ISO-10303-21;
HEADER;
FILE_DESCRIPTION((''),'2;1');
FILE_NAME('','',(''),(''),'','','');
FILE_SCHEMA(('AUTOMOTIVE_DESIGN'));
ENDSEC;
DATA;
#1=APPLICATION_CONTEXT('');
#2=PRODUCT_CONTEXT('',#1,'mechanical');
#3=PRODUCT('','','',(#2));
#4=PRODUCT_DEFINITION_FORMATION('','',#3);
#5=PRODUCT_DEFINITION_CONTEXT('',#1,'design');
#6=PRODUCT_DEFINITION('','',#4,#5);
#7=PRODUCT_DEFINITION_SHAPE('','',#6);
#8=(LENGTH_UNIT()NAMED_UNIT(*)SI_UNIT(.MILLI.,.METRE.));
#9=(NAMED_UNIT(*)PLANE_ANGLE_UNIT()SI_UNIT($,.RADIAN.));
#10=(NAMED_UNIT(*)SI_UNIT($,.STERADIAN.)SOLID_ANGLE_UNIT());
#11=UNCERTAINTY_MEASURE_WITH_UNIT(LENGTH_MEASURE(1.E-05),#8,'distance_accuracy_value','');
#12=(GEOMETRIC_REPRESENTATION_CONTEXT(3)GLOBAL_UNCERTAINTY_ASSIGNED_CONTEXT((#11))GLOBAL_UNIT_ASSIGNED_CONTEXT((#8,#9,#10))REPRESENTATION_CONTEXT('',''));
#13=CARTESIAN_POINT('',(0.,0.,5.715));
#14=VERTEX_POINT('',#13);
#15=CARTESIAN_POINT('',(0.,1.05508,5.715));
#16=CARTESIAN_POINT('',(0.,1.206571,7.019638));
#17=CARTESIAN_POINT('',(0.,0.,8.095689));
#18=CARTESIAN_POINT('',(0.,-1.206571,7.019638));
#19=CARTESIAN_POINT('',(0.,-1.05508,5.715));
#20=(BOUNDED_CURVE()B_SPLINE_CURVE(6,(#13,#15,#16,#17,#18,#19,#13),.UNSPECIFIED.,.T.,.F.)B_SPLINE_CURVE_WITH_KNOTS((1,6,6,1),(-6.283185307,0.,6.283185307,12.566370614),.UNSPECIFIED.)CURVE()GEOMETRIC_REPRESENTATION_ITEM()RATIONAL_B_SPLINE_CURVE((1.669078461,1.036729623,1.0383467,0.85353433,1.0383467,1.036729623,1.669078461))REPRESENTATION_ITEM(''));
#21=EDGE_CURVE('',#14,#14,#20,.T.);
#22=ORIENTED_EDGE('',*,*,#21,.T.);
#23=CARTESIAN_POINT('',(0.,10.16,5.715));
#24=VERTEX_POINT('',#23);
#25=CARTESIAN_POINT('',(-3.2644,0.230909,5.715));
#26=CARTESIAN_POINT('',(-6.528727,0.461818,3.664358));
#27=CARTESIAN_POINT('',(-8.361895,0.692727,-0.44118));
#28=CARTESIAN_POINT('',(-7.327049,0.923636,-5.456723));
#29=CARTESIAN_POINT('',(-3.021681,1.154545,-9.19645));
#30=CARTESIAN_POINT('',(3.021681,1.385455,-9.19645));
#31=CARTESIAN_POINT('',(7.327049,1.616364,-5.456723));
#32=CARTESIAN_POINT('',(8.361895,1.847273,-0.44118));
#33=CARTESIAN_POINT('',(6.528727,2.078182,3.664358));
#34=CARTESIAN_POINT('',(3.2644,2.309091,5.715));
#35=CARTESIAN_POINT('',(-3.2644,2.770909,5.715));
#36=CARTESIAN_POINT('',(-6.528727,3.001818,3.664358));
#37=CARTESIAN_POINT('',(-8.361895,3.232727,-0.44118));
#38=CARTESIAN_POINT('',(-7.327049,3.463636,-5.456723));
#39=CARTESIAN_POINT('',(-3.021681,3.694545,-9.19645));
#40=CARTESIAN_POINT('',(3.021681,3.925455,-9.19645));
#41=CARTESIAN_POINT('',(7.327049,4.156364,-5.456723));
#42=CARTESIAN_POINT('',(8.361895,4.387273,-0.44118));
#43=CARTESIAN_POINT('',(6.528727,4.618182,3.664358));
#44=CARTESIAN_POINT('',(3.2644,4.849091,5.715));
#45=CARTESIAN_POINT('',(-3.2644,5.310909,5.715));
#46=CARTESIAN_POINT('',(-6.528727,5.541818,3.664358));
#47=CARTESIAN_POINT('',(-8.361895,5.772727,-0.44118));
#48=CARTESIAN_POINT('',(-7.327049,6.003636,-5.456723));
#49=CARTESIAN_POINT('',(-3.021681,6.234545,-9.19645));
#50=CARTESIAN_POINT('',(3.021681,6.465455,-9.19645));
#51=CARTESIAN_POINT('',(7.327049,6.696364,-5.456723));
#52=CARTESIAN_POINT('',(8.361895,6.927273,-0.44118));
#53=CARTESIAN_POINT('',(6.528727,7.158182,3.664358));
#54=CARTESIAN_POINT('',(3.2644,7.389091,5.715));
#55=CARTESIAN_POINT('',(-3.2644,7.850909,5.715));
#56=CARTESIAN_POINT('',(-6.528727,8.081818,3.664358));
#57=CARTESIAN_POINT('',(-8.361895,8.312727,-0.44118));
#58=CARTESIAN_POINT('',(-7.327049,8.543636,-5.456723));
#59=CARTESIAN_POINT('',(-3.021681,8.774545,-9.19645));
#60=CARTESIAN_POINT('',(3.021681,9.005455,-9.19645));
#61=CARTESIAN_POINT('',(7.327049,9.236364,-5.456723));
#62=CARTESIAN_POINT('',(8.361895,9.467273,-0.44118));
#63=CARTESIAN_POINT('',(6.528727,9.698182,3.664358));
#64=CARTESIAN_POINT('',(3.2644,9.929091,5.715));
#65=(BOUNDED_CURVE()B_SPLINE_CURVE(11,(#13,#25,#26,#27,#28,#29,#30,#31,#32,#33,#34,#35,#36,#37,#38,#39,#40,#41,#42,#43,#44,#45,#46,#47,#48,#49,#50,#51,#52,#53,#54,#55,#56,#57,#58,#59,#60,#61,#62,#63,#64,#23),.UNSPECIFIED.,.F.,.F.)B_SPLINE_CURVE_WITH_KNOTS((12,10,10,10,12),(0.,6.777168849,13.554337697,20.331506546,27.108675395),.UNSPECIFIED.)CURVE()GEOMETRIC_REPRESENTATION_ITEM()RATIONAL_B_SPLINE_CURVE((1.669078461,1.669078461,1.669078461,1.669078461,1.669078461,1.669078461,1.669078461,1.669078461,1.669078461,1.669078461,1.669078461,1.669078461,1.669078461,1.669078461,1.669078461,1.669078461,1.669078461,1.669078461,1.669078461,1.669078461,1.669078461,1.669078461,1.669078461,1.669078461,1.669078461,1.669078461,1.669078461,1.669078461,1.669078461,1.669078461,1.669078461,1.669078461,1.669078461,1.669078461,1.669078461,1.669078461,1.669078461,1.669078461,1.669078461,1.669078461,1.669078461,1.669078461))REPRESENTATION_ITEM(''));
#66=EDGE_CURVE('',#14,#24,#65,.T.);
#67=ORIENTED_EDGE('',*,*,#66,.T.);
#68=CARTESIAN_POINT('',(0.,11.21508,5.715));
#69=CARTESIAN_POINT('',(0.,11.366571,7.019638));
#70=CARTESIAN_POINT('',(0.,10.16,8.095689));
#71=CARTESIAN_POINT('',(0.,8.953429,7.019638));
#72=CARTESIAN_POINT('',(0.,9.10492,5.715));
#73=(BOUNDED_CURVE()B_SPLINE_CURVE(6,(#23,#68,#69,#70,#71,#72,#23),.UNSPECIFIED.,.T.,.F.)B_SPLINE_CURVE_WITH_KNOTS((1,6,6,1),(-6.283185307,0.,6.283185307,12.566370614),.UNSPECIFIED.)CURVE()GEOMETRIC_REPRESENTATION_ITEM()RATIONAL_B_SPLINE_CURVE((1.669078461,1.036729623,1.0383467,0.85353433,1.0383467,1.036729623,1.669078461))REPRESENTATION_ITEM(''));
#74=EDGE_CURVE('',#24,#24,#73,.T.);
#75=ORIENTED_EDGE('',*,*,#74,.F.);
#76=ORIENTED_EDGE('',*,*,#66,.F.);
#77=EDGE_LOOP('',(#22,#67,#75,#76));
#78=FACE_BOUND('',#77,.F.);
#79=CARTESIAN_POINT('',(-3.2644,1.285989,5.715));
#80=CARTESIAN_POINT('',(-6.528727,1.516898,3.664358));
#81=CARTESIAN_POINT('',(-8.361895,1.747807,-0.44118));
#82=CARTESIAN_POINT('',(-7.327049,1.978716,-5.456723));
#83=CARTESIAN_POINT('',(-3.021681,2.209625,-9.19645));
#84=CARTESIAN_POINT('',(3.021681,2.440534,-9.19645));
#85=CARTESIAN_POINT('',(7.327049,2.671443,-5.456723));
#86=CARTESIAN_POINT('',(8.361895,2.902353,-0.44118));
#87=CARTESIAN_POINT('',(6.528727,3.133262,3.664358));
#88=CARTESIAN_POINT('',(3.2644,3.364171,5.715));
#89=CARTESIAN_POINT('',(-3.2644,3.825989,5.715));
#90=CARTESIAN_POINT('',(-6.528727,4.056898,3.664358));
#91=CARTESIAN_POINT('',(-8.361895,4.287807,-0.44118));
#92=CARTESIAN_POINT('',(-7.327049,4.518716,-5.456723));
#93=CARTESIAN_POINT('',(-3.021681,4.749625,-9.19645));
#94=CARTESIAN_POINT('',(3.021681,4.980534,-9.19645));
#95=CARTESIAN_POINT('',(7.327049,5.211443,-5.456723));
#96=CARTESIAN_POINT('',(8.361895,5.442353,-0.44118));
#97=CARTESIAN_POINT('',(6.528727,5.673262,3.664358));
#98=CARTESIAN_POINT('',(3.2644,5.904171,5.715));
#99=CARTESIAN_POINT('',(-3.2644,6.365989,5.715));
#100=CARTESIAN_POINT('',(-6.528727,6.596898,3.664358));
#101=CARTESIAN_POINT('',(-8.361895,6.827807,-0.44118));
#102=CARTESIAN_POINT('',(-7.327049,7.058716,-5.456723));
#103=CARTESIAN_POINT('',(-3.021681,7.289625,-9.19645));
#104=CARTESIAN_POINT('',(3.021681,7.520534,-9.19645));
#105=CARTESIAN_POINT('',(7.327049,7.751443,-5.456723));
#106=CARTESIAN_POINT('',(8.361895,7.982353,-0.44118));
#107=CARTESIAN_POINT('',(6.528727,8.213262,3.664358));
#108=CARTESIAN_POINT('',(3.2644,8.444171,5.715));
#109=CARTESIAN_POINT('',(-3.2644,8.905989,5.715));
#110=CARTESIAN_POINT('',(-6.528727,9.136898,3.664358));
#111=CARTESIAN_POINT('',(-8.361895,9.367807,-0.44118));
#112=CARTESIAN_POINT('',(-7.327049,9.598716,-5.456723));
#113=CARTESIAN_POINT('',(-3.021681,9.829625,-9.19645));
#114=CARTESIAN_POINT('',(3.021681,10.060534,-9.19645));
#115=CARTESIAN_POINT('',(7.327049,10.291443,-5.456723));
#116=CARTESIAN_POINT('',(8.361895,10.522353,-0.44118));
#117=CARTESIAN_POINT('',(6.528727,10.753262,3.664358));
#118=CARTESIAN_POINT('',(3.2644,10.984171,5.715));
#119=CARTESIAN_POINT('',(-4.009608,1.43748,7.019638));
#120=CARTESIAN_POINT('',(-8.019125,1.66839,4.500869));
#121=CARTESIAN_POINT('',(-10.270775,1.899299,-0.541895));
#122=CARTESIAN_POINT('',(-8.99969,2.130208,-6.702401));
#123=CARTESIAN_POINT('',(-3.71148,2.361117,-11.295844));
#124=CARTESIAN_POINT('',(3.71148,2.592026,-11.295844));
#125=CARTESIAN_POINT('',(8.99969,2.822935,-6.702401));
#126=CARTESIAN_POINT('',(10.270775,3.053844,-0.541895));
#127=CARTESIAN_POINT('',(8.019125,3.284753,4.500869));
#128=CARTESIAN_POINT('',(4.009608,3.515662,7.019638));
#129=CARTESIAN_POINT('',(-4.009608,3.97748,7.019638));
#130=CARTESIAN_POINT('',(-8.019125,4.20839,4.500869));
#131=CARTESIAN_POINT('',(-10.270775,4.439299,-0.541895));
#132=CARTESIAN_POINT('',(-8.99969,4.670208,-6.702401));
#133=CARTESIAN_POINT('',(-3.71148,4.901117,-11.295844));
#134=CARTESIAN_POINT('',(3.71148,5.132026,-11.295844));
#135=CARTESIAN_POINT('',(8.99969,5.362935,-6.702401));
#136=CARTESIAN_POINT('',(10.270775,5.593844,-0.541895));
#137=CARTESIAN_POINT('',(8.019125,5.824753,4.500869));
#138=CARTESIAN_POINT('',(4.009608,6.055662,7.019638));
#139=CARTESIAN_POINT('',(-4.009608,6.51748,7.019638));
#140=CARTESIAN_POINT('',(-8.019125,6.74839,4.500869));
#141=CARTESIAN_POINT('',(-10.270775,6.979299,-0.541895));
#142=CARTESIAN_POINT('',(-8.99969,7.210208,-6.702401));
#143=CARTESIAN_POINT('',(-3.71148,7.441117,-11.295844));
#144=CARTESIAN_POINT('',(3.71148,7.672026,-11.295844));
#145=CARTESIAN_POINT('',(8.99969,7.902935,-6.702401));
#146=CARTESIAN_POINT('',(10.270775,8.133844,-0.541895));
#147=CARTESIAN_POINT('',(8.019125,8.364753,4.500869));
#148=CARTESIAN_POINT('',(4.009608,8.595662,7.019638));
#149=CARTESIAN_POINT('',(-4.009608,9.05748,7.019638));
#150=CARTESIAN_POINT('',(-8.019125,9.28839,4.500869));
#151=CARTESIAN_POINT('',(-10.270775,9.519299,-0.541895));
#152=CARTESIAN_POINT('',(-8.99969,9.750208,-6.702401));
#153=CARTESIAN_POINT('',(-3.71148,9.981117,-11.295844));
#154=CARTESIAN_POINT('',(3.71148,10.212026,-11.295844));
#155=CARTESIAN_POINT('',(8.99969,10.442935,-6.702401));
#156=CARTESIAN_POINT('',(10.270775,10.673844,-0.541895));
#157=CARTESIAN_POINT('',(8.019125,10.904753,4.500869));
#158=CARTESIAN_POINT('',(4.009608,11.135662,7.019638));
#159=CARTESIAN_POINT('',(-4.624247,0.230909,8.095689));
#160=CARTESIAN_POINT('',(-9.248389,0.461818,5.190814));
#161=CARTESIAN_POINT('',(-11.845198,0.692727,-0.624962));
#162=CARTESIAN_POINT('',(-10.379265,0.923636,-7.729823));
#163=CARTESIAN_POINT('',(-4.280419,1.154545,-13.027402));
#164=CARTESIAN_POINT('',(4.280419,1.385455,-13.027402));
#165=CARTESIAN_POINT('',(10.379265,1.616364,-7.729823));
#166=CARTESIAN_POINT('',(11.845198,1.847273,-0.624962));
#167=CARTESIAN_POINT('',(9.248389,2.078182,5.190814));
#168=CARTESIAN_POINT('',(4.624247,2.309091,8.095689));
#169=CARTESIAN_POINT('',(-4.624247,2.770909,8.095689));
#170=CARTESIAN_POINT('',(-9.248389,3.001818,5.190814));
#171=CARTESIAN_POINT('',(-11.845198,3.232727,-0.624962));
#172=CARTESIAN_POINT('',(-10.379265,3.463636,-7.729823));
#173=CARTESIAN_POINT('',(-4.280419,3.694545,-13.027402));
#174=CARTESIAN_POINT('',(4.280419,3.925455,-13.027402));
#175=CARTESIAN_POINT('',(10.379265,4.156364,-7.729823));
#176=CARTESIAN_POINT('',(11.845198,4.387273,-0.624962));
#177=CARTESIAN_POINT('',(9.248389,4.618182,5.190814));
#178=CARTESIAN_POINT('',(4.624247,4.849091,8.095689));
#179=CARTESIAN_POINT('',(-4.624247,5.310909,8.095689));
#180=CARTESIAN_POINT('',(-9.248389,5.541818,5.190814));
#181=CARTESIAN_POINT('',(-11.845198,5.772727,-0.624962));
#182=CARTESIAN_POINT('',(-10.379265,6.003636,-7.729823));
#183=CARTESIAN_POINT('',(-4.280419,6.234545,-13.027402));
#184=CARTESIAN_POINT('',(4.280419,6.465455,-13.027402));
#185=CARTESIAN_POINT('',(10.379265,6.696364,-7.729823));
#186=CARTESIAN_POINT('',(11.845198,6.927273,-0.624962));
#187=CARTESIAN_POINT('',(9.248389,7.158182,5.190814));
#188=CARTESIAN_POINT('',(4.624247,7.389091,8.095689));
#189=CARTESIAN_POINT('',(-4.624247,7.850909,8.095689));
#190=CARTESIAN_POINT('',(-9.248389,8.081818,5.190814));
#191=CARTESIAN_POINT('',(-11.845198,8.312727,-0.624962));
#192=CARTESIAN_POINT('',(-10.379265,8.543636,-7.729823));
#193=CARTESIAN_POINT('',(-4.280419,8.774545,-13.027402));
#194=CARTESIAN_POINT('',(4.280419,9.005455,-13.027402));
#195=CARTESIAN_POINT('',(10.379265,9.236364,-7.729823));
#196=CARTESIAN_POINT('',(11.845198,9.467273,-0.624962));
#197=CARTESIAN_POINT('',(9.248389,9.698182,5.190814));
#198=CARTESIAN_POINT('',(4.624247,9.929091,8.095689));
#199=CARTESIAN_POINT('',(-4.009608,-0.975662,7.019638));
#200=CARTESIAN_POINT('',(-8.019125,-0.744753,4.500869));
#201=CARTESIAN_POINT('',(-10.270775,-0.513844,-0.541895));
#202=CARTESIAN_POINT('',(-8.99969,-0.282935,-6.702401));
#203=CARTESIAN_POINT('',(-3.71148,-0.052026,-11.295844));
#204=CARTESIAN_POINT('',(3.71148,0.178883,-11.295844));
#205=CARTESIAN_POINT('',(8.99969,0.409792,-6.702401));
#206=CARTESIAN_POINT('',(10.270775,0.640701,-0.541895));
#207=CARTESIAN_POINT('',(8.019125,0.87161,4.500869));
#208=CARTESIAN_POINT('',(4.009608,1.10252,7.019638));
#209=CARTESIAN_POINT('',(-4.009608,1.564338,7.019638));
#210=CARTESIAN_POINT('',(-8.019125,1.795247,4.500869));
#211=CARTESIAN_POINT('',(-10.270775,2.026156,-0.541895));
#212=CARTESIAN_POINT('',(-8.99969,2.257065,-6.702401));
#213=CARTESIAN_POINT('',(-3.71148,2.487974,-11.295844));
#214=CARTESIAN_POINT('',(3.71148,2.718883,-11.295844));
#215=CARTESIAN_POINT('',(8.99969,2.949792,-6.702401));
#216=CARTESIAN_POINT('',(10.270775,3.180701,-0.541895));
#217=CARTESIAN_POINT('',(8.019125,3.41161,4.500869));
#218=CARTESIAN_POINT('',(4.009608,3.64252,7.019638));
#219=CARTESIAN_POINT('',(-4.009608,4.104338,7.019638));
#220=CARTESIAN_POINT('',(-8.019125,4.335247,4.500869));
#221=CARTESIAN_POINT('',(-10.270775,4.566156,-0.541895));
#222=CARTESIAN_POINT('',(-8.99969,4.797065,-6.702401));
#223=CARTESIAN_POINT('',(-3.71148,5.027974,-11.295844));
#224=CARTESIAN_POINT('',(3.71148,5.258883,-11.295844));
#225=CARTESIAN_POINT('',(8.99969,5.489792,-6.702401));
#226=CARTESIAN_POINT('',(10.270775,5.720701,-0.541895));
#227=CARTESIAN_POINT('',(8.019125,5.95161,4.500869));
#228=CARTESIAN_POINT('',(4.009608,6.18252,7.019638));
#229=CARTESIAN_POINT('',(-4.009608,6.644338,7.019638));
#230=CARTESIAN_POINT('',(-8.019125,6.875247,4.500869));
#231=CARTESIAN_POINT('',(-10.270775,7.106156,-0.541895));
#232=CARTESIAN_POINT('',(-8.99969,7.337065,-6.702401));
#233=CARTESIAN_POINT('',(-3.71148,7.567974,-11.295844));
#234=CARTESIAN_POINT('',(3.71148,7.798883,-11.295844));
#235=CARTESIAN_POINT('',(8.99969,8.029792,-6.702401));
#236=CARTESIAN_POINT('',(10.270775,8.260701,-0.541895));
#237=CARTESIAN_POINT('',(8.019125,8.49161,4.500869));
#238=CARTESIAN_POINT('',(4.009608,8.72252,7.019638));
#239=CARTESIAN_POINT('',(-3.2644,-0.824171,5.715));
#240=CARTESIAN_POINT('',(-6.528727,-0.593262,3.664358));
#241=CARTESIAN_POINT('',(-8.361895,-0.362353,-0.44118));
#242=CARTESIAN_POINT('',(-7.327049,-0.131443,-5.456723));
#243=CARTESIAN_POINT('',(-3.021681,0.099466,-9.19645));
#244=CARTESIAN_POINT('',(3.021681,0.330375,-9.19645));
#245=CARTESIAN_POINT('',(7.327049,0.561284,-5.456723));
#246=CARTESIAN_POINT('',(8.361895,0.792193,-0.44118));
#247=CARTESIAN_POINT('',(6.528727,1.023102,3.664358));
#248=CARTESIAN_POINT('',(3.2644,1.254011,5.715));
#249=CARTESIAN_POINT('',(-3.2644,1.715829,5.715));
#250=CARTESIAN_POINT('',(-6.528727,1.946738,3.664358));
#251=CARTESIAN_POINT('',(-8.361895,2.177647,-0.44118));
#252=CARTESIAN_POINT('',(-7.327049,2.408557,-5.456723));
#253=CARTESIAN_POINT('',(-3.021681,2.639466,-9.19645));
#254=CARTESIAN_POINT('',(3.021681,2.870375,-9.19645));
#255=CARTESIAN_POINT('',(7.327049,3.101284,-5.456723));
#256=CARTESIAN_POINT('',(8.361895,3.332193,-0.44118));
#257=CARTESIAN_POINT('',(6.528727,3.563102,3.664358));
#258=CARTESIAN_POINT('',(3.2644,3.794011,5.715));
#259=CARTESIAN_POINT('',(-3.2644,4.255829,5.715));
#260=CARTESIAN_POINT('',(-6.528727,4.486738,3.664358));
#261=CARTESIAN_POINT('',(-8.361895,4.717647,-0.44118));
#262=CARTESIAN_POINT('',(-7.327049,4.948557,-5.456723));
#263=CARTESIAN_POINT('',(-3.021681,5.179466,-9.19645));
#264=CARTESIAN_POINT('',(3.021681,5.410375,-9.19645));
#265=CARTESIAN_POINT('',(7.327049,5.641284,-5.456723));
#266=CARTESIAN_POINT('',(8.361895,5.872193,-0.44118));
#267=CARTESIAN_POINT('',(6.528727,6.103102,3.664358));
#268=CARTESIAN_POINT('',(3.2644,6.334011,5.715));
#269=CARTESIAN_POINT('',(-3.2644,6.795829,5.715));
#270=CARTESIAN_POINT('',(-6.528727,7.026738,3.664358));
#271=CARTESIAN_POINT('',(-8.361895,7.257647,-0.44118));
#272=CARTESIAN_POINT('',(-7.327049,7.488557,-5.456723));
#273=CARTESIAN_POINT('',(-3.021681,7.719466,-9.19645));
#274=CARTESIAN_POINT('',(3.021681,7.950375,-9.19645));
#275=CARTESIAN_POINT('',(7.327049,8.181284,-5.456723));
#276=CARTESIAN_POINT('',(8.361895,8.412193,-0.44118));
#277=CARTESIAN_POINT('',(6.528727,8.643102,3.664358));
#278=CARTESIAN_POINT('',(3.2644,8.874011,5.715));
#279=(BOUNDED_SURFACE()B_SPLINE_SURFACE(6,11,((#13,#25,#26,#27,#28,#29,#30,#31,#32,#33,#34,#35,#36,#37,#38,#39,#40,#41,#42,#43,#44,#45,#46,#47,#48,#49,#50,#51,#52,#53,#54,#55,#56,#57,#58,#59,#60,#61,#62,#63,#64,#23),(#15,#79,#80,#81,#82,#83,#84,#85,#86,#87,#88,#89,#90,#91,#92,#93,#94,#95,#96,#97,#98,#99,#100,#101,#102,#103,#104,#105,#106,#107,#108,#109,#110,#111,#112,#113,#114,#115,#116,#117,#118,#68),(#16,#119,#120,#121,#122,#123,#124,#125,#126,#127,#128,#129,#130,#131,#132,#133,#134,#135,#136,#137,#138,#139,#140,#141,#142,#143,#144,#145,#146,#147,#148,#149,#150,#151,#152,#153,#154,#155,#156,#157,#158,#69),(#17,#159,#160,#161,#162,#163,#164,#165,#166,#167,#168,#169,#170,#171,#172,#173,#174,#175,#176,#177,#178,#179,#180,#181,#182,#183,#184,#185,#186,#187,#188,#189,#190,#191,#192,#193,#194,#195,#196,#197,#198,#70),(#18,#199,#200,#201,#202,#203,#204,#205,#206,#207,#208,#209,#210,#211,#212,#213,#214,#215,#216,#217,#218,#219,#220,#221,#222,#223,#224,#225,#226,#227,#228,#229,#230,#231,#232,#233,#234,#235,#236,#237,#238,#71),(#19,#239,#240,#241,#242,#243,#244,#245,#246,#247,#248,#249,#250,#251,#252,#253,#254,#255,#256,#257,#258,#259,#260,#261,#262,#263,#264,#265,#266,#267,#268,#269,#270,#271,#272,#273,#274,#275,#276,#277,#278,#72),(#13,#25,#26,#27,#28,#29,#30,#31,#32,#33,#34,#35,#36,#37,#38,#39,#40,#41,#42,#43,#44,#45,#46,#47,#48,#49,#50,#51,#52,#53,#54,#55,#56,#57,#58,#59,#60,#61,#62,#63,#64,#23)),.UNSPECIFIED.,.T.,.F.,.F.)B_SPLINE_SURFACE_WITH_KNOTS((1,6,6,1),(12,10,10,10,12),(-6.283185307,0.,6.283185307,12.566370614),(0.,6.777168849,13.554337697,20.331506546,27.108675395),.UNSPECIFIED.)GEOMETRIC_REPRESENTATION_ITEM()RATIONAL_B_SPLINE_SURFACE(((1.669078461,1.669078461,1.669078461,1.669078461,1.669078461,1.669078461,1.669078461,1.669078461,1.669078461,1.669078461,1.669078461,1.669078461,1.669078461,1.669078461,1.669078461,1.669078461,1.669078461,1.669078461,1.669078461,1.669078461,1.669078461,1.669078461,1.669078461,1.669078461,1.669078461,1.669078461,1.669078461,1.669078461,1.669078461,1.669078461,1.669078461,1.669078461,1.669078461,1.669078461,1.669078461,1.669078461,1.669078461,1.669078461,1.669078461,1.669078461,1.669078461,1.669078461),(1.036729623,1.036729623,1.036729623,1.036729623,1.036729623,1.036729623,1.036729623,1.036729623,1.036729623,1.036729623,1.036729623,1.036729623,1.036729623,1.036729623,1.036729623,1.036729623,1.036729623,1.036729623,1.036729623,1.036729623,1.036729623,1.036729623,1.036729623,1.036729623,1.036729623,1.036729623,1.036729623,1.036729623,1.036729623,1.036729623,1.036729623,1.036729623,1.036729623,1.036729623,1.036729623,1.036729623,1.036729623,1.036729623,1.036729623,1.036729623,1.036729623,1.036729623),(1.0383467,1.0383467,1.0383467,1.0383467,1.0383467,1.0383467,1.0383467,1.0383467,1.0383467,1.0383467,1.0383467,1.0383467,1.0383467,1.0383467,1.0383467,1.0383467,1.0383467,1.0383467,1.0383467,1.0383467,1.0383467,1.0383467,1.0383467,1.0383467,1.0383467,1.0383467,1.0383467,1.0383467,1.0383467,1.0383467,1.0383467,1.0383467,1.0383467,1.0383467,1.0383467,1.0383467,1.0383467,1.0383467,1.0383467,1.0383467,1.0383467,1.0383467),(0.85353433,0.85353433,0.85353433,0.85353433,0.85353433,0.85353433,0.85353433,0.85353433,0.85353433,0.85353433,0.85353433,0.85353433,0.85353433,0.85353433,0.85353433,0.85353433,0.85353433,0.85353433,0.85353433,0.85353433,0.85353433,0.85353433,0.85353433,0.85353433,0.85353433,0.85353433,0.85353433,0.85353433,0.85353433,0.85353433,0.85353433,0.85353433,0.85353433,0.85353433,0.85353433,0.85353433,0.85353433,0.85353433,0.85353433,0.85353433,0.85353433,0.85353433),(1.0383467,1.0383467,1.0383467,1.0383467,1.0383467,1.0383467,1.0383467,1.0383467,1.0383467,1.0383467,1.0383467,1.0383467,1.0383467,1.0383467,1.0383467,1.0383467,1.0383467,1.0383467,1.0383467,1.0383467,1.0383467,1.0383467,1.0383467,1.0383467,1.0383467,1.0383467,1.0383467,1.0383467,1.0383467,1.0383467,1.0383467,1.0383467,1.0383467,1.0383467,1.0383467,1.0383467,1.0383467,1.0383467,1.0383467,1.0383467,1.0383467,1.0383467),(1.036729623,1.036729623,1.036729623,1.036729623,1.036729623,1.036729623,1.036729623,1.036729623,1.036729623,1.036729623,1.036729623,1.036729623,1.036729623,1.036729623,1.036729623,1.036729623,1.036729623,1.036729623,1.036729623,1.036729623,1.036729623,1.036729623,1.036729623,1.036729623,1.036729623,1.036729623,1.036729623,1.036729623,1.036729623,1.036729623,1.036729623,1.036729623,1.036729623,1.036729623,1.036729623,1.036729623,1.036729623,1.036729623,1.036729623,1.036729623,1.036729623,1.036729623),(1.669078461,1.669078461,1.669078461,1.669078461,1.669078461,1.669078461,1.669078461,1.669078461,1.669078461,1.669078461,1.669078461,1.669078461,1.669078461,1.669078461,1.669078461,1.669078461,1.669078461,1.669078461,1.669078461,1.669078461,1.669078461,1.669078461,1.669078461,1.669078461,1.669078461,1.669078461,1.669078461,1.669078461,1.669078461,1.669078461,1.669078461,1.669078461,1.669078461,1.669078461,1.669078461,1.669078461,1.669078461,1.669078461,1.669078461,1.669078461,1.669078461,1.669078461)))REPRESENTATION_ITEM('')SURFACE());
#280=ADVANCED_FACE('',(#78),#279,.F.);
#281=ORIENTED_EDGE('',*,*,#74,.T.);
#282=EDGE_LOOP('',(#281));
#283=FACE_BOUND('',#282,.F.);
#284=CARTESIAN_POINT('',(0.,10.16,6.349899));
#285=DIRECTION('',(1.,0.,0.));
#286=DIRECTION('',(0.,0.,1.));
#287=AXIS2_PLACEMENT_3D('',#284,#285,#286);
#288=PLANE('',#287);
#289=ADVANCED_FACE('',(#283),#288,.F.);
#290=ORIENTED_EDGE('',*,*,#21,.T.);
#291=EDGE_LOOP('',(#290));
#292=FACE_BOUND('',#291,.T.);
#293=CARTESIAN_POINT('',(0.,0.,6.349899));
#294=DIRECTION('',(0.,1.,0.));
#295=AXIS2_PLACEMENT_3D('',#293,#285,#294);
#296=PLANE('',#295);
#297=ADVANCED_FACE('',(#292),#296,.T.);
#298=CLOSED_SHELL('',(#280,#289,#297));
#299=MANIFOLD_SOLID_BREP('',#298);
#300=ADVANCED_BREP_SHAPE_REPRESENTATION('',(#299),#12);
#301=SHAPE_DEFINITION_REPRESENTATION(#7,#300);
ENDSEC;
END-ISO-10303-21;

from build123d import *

# Parameters (mm, degrees)
SWEEP1_PITCH  = 2.54
SWEEP1_HEIGHT = 10.16
SWEEP1_RADIUS = 6.35
SKETCH3_R     = 0.635


with BuildPart() as part:
    # Sweep1: sweep along a helix
    with BuildLine() as sweep1_path:
        Helix(SWEEP1_PITCH, SWEEP1_HEIGHT, SWEEP1_RADIUS, center=(0, 0, 0), direction=(0, 1, 0), lefthand=True)
    # Sketch3 → Sweep1 (sweep)
    with BuildSketch(Plane(origin=(0, 0, 0), x_dir=(0, 0, -1), z_dir=(1, 0, 0))):
        with Locations((-6.35, 0)):
            Circle(SKETCH3_R)
    sweep(path=sweep1_path.line, is_frenet=True)


solid = part.part
